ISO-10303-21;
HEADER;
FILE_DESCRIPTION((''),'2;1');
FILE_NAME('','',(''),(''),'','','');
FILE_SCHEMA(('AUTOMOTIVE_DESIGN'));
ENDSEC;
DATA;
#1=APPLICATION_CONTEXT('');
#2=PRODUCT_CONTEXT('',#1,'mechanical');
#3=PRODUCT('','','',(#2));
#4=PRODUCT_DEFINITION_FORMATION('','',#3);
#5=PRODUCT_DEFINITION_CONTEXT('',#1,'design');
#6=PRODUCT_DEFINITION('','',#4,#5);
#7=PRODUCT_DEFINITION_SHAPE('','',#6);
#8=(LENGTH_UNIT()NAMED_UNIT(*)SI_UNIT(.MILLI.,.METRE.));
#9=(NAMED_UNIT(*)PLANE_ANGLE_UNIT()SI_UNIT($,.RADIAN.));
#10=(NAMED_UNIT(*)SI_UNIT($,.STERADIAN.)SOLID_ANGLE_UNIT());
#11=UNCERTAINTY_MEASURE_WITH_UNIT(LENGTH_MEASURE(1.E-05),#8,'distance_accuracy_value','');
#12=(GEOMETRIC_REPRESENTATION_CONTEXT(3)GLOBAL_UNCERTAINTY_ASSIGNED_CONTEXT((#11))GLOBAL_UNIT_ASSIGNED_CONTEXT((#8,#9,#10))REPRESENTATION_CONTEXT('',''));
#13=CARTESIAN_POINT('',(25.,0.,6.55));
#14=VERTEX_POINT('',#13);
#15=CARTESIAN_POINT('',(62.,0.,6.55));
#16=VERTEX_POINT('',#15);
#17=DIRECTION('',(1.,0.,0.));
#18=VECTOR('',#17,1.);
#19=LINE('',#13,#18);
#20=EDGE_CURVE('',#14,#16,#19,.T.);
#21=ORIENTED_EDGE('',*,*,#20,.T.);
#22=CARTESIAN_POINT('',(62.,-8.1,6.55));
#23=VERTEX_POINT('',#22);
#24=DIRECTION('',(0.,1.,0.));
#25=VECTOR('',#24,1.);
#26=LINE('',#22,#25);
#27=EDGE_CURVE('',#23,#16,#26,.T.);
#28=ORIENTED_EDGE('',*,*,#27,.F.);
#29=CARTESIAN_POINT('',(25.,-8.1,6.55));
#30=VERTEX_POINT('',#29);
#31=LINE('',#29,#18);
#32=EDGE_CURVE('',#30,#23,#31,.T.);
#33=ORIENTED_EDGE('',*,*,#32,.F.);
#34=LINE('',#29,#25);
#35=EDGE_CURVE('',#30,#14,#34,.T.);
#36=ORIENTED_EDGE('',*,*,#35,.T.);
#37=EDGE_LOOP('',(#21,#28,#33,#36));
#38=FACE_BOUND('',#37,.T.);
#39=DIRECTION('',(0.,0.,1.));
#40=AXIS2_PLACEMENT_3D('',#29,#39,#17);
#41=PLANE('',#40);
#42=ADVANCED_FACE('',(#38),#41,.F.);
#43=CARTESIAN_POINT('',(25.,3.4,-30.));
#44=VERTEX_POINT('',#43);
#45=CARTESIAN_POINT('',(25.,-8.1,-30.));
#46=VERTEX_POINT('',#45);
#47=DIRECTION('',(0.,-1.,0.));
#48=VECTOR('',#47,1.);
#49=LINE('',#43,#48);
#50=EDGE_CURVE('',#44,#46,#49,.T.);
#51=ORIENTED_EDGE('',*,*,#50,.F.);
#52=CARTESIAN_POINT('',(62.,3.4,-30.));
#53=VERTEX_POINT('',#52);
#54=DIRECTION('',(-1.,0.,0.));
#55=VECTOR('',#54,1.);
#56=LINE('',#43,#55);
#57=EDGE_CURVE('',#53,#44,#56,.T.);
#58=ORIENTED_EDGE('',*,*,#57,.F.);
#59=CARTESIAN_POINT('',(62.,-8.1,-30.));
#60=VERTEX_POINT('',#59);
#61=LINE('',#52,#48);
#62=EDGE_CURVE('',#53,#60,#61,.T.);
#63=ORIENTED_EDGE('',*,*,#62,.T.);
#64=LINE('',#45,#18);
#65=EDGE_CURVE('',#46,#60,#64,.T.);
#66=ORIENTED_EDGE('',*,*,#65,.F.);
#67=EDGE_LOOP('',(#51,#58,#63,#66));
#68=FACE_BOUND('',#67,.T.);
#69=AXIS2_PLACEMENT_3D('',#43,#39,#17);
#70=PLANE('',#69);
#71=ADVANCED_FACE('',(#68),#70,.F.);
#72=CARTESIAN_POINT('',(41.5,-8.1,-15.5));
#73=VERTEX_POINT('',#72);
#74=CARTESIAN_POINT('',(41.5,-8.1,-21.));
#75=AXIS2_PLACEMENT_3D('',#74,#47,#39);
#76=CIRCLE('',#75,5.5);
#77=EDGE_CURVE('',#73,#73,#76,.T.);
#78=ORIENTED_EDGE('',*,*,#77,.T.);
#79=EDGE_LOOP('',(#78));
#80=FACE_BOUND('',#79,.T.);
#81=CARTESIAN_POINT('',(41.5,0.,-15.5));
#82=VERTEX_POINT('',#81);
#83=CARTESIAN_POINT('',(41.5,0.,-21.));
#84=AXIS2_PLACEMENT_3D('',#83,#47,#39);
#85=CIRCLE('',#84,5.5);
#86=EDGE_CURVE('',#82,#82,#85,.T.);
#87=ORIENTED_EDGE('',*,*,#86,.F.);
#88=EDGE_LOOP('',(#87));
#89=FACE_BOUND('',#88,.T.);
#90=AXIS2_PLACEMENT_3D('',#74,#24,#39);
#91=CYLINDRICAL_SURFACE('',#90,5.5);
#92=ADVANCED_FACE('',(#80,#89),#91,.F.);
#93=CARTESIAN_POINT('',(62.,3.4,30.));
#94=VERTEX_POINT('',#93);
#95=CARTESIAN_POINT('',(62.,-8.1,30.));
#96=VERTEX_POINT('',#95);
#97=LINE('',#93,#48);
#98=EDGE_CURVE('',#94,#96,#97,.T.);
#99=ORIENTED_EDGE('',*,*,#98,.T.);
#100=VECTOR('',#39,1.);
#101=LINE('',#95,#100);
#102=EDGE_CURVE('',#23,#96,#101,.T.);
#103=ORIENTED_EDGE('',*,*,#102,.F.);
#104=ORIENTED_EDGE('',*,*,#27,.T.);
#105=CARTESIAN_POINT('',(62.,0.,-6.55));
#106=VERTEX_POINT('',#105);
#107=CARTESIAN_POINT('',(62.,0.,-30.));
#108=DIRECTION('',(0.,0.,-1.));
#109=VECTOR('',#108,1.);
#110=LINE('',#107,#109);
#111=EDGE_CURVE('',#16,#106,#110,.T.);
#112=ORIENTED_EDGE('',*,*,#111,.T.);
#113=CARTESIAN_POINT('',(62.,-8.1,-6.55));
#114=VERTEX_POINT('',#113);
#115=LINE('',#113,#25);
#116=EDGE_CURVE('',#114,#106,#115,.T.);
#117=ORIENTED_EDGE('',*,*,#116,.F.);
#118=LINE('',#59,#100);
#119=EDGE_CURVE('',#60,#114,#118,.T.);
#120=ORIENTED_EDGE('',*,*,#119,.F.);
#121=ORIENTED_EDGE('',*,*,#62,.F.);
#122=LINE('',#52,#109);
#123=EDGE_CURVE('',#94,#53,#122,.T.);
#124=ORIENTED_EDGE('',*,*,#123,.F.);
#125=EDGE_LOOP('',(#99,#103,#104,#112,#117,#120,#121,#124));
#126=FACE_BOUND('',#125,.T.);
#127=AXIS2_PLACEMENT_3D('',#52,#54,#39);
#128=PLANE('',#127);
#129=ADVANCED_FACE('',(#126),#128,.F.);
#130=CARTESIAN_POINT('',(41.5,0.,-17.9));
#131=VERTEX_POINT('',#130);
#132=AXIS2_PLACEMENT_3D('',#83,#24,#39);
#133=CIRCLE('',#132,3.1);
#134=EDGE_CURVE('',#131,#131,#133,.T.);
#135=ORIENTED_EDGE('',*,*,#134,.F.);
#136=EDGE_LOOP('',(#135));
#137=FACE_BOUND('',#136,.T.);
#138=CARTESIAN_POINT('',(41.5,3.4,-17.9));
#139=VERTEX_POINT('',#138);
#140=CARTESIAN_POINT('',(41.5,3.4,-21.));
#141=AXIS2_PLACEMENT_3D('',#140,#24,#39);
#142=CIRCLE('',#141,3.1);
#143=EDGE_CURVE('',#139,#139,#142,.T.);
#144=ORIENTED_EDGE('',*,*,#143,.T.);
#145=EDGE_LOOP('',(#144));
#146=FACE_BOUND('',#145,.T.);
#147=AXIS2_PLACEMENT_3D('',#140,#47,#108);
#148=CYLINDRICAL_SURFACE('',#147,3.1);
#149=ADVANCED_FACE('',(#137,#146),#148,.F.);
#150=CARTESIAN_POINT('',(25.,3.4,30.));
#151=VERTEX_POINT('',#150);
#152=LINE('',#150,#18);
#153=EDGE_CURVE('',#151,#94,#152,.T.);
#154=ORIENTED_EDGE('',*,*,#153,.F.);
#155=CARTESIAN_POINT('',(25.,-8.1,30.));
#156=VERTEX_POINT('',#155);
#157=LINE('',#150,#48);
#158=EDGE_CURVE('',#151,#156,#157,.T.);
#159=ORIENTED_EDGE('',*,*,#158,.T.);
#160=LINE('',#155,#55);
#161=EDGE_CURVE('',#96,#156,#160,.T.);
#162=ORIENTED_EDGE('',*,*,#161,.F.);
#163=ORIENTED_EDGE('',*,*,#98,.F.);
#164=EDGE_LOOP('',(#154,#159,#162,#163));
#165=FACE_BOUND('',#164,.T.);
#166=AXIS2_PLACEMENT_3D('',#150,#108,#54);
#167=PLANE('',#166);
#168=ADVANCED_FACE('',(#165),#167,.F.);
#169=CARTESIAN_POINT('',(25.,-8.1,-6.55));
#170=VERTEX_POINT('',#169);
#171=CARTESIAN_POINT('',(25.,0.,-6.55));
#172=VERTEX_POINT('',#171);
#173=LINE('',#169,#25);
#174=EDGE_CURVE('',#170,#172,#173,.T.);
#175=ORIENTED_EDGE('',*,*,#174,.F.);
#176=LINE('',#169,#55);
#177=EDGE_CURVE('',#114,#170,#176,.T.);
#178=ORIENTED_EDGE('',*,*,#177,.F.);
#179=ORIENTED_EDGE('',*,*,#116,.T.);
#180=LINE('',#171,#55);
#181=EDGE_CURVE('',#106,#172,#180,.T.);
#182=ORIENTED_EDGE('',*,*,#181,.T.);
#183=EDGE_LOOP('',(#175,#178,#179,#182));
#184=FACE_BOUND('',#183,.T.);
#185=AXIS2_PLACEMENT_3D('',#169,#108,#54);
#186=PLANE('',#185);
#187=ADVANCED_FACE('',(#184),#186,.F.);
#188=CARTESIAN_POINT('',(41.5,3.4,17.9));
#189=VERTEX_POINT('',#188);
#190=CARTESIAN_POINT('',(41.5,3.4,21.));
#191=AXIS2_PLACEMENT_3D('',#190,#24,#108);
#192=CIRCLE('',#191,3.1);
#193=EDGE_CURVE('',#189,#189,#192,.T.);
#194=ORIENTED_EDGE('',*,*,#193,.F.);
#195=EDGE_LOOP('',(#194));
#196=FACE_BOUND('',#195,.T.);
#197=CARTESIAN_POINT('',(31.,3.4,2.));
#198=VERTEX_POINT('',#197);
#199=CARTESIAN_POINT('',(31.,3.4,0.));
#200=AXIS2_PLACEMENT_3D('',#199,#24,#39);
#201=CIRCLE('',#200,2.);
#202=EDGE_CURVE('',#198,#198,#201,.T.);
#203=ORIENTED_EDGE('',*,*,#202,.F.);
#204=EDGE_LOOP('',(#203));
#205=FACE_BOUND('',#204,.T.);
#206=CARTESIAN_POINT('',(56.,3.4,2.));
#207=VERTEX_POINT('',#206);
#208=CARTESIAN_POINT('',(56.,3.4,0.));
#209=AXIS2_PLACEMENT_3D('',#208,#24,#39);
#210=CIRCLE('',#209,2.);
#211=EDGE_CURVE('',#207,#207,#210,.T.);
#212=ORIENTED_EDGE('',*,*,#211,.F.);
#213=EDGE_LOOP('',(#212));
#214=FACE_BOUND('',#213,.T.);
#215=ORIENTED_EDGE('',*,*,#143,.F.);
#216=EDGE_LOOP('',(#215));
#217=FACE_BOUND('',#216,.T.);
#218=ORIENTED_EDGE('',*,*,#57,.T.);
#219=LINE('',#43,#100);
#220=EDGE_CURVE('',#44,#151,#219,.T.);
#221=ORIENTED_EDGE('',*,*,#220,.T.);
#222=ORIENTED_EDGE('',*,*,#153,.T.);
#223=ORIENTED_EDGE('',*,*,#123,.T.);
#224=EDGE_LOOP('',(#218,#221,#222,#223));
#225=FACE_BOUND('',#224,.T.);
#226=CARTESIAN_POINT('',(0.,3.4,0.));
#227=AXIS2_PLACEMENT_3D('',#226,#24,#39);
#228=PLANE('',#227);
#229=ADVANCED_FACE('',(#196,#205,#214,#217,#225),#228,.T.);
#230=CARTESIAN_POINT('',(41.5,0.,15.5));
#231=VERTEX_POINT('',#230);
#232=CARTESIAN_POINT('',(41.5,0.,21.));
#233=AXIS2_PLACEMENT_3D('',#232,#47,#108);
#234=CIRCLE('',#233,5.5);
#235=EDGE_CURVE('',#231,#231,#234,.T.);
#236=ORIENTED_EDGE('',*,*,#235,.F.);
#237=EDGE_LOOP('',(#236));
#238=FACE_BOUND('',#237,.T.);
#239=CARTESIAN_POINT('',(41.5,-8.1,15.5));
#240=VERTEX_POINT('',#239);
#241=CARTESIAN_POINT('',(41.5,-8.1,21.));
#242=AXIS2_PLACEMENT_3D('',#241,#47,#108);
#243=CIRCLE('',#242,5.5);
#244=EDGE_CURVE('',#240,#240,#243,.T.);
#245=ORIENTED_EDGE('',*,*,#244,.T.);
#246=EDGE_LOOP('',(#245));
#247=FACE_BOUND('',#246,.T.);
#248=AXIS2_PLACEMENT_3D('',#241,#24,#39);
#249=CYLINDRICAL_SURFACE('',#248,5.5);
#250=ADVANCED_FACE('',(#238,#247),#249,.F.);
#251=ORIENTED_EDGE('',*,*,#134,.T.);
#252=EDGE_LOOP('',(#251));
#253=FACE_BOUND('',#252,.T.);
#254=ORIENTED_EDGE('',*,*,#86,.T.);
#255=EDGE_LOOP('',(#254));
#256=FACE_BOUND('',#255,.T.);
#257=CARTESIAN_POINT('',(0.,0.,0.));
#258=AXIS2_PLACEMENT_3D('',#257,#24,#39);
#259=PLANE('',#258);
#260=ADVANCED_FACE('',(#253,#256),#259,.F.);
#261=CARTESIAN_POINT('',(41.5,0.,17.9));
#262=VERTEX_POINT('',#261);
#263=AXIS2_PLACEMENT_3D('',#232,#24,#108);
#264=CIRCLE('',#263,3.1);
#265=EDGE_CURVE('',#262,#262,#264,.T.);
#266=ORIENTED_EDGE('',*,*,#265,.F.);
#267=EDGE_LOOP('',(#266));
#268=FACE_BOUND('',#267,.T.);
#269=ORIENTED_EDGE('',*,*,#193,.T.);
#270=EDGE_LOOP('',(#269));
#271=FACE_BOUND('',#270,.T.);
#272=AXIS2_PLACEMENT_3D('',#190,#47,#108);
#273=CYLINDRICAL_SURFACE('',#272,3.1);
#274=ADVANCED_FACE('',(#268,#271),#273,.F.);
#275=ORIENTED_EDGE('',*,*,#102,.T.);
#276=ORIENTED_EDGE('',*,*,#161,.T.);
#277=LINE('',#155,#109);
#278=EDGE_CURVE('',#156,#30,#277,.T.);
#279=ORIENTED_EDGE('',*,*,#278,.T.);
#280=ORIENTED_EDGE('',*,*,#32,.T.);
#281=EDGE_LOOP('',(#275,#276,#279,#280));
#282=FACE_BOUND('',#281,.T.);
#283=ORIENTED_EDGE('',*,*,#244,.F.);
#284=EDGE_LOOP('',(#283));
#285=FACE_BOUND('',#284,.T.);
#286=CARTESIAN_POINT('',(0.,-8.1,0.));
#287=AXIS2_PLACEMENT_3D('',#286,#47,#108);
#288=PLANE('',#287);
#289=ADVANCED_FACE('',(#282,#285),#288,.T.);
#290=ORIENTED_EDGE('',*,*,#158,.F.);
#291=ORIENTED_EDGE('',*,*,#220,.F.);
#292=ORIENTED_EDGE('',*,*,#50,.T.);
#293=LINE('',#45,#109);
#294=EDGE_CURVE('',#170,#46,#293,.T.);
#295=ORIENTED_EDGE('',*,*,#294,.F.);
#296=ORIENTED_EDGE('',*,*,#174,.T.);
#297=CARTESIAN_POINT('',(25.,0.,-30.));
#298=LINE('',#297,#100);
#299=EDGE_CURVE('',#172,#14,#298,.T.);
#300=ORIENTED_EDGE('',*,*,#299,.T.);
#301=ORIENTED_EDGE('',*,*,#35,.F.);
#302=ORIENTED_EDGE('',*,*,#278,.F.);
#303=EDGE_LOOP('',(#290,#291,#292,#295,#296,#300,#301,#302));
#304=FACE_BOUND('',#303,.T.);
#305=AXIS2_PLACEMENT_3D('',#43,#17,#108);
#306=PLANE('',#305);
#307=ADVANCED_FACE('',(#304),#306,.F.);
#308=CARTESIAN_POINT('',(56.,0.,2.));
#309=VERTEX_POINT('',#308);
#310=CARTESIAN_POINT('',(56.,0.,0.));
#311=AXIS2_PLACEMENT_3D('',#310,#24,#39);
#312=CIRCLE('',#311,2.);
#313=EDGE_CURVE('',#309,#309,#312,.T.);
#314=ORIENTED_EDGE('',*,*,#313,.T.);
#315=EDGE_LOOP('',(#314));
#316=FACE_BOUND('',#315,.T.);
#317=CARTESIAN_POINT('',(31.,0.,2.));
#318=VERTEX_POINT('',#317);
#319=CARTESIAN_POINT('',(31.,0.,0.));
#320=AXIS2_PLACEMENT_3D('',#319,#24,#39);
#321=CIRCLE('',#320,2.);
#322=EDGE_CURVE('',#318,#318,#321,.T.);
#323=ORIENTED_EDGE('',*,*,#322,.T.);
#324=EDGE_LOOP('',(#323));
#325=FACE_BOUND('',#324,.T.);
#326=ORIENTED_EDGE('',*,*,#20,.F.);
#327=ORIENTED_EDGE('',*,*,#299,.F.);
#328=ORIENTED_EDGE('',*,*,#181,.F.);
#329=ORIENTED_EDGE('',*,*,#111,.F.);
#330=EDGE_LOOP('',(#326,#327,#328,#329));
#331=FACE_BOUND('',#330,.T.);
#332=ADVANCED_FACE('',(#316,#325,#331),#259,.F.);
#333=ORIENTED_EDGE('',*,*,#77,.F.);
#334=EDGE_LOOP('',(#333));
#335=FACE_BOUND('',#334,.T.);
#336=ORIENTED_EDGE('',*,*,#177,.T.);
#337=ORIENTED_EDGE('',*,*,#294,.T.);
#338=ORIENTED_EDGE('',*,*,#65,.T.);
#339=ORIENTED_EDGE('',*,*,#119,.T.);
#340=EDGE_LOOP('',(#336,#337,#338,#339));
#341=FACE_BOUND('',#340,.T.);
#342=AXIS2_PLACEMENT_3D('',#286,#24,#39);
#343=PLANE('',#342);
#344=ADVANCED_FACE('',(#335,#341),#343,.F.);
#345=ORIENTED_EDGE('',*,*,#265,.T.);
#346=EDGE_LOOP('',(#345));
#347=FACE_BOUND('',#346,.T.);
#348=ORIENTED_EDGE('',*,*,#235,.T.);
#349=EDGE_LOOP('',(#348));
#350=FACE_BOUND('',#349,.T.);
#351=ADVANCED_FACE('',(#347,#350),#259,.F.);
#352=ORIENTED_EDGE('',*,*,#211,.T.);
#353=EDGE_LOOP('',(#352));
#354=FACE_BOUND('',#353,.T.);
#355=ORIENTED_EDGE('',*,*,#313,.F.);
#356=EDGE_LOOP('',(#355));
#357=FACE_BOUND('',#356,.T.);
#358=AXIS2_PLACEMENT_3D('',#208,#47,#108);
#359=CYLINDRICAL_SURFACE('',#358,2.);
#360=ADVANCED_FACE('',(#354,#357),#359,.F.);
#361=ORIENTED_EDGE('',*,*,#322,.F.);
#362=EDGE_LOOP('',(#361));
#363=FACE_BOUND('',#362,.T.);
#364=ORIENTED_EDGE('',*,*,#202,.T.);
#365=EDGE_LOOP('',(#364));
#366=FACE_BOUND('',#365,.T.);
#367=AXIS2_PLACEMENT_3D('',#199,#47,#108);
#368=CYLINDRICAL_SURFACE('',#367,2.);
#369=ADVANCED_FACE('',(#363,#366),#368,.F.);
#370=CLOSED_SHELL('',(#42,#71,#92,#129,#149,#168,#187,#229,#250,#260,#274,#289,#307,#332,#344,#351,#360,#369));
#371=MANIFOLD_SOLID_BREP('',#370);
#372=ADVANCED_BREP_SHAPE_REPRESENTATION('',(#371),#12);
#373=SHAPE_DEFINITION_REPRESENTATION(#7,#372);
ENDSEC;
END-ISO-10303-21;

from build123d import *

# Parameters (mm, degrees)
SKETCH7_W            = 37
SKETCH7_H            = 60
SKETCH7_R            = 3.1
SKETCH7_R_2          = 2
BOSS_EXTRUDE10_DEPTH = 3.4
SKETCH8_W            = 37
SKETCH8_H            = 23.45
SKETCH8_R            = 5.5
BOSS_EXTRUDE12_DEPTH = 8.1


with BuildPart() as part:
    # Sketch7 → Boss-Extrude10 (new body)
    with BuildSketch(Plane(origin=(0, 0, 0), x_dir=(1, 0, 0), z_dir=(0, 1, 0))):
        with Locations((43.5, 0)):
            Rectangle(SKETCH7_W, SKETCH7_H)
        with Locations(Location((41.5, 21, 0), (0, 0, 270))):
            Circle(SKETCH7_R, mode=Mode.SUBTRACT)
        with Locations(Location((41.5, -21, 0), (0, 0, 90))):
            Circle(SKETCH7_R, mode=Mode.SUBTRACT)
        with Locations(Location((56, 0, 0), (0, 0, 270))):
            Circle(SKETCH7_R_2, mode=Mode.SUBTRACT)
        with Locations(Location((31, 0, 0), (0, 0, 270))):
            Circle(SKETCH7_R_2, mode=Mode.SUBTRACT)
    extrude(amount=BOSS_EXTRUDE10_DEPTH)

    # Sketch8 → Boss-Extrude12 (add)
    # profile 1 of 2: a face of its own
    with BuildSketch(Plane.XZ):
        with Locations((43.5, 18.275)):
            Rectangle(SKETCH8_W, SKETCH8_H)
        with Locations(Location((41.5, 21, 0), (0, 0, 270))):
            Circle(SKETCH8_R, mode=Mode.SUBTRACT)
    # profile 2 of 2: a face of its own
    with BuildSketch(Plane.XZ):
        with Locations((43.5, -18.275)):
            Rectangle(SKETCH8_W, SKETCH8_H)
        with Locations(Location((41.5, -21, 0), (0, 0, 90))):
            Circle(SKETCH8_R, mode=Mode.SUBTRACT)
    extrude(amount=BOSS_EXTRUDE12_DEPTH)


solid = part.part
